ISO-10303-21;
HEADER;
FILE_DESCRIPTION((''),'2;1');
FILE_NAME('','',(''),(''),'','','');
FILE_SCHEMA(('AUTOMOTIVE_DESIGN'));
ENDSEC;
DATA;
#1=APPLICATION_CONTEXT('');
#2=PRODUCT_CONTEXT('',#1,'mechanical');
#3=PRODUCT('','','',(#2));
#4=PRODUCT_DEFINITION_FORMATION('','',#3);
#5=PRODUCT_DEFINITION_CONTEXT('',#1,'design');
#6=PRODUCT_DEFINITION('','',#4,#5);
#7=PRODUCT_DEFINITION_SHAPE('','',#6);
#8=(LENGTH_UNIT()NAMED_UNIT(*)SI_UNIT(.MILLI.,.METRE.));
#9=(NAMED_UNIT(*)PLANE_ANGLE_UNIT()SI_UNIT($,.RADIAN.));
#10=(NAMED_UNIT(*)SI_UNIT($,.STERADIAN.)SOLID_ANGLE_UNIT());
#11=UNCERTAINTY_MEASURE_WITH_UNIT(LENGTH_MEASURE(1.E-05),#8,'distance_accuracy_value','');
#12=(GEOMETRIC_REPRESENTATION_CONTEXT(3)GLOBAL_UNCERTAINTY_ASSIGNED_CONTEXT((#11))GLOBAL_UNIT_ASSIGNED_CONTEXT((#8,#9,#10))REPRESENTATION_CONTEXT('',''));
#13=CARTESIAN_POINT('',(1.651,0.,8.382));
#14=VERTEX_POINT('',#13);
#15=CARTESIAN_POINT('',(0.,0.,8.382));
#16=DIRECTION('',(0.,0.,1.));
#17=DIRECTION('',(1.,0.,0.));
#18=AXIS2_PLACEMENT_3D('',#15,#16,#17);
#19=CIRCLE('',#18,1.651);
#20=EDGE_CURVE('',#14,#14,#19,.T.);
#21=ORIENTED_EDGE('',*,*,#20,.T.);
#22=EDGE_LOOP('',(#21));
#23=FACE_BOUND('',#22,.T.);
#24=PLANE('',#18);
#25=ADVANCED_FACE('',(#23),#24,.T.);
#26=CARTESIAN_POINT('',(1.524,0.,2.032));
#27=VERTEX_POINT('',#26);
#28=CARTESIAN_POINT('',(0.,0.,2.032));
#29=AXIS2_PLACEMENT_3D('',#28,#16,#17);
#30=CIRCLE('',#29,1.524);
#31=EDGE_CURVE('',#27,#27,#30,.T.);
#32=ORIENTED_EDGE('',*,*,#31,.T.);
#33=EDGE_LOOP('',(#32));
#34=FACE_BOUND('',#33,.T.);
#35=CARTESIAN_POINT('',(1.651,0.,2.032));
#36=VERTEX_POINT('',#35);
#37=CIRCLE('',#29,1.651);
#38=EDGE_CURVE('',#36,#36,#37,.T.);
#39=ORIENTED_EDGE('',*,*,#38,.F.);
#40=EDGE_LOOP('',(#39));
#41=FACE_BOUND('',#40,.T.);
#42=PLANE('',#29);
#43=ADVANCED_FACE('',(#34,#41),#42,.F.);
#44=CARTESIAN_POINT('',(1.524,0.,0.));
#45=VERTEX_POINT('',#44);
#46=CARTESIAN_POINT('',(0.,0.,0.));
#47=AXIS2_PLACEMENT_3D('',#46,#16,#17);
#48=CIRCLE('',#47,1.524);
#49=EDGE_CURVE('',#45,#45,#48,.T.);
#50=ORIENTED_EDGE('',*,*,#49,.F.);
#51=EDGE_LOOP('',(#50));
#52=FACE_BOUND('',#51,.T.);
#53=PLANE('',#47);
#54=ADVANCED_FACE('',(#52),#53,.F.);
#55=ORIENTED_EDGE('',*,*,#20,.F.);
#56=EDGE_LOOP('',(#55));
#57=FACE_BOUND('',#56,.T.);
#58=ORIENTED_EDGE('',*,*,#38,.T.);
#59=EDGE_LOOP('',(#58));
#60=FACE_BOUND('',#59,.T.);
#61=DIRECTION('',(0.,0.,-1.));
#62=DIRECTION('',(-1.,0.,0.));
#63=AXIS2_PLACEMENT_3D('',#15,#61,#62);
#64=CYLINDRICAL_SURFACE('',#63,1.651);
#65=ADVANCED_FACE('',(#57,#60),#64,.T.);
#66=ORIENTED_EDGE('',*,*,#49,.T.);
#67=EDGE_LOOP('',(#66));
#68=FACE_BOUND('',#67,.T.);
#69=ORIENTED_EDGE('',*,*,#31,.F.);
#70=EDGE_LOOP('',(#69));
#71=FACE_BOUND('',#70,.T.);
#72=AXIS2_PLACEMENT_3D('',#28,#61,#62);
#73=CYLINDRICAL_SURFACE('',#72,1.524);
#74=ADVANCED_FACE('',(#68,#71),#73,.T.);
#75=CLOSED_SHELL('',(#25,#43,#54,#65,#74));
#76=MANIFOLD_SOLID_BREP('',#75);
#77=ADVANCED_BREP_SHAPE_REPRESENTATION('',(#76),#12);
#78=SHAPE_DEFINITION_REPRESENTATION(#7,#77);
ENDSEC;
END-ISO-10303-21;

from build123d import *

# Parameters (mm, degrees)
SKETCH1_R           = 1.524
BOSS_EXTRUDE1_DEPTH = 2.032
SKETCH2_R           = 1.651
BOSS_EXTRUDE2_DEPTH = 6.35


with BuildPart() as part:
    # Sketch1 → Boss-Extrude1 (new body)
    with BuildSketch(Plane.XY):
        Circle(SKETCH1_R)
    extrude(amount=BOSS_EXTRUDE1_DEPTH)

    # Sketch2 → Boss-Extrude2 (add)
    with BuildSketch(Plane.XY.offset(2.032)):
        Circle(SKETCH2_R)
    extrude(amount=BOSS_EXTRUDE2_DEPTH)


solid = part.part
